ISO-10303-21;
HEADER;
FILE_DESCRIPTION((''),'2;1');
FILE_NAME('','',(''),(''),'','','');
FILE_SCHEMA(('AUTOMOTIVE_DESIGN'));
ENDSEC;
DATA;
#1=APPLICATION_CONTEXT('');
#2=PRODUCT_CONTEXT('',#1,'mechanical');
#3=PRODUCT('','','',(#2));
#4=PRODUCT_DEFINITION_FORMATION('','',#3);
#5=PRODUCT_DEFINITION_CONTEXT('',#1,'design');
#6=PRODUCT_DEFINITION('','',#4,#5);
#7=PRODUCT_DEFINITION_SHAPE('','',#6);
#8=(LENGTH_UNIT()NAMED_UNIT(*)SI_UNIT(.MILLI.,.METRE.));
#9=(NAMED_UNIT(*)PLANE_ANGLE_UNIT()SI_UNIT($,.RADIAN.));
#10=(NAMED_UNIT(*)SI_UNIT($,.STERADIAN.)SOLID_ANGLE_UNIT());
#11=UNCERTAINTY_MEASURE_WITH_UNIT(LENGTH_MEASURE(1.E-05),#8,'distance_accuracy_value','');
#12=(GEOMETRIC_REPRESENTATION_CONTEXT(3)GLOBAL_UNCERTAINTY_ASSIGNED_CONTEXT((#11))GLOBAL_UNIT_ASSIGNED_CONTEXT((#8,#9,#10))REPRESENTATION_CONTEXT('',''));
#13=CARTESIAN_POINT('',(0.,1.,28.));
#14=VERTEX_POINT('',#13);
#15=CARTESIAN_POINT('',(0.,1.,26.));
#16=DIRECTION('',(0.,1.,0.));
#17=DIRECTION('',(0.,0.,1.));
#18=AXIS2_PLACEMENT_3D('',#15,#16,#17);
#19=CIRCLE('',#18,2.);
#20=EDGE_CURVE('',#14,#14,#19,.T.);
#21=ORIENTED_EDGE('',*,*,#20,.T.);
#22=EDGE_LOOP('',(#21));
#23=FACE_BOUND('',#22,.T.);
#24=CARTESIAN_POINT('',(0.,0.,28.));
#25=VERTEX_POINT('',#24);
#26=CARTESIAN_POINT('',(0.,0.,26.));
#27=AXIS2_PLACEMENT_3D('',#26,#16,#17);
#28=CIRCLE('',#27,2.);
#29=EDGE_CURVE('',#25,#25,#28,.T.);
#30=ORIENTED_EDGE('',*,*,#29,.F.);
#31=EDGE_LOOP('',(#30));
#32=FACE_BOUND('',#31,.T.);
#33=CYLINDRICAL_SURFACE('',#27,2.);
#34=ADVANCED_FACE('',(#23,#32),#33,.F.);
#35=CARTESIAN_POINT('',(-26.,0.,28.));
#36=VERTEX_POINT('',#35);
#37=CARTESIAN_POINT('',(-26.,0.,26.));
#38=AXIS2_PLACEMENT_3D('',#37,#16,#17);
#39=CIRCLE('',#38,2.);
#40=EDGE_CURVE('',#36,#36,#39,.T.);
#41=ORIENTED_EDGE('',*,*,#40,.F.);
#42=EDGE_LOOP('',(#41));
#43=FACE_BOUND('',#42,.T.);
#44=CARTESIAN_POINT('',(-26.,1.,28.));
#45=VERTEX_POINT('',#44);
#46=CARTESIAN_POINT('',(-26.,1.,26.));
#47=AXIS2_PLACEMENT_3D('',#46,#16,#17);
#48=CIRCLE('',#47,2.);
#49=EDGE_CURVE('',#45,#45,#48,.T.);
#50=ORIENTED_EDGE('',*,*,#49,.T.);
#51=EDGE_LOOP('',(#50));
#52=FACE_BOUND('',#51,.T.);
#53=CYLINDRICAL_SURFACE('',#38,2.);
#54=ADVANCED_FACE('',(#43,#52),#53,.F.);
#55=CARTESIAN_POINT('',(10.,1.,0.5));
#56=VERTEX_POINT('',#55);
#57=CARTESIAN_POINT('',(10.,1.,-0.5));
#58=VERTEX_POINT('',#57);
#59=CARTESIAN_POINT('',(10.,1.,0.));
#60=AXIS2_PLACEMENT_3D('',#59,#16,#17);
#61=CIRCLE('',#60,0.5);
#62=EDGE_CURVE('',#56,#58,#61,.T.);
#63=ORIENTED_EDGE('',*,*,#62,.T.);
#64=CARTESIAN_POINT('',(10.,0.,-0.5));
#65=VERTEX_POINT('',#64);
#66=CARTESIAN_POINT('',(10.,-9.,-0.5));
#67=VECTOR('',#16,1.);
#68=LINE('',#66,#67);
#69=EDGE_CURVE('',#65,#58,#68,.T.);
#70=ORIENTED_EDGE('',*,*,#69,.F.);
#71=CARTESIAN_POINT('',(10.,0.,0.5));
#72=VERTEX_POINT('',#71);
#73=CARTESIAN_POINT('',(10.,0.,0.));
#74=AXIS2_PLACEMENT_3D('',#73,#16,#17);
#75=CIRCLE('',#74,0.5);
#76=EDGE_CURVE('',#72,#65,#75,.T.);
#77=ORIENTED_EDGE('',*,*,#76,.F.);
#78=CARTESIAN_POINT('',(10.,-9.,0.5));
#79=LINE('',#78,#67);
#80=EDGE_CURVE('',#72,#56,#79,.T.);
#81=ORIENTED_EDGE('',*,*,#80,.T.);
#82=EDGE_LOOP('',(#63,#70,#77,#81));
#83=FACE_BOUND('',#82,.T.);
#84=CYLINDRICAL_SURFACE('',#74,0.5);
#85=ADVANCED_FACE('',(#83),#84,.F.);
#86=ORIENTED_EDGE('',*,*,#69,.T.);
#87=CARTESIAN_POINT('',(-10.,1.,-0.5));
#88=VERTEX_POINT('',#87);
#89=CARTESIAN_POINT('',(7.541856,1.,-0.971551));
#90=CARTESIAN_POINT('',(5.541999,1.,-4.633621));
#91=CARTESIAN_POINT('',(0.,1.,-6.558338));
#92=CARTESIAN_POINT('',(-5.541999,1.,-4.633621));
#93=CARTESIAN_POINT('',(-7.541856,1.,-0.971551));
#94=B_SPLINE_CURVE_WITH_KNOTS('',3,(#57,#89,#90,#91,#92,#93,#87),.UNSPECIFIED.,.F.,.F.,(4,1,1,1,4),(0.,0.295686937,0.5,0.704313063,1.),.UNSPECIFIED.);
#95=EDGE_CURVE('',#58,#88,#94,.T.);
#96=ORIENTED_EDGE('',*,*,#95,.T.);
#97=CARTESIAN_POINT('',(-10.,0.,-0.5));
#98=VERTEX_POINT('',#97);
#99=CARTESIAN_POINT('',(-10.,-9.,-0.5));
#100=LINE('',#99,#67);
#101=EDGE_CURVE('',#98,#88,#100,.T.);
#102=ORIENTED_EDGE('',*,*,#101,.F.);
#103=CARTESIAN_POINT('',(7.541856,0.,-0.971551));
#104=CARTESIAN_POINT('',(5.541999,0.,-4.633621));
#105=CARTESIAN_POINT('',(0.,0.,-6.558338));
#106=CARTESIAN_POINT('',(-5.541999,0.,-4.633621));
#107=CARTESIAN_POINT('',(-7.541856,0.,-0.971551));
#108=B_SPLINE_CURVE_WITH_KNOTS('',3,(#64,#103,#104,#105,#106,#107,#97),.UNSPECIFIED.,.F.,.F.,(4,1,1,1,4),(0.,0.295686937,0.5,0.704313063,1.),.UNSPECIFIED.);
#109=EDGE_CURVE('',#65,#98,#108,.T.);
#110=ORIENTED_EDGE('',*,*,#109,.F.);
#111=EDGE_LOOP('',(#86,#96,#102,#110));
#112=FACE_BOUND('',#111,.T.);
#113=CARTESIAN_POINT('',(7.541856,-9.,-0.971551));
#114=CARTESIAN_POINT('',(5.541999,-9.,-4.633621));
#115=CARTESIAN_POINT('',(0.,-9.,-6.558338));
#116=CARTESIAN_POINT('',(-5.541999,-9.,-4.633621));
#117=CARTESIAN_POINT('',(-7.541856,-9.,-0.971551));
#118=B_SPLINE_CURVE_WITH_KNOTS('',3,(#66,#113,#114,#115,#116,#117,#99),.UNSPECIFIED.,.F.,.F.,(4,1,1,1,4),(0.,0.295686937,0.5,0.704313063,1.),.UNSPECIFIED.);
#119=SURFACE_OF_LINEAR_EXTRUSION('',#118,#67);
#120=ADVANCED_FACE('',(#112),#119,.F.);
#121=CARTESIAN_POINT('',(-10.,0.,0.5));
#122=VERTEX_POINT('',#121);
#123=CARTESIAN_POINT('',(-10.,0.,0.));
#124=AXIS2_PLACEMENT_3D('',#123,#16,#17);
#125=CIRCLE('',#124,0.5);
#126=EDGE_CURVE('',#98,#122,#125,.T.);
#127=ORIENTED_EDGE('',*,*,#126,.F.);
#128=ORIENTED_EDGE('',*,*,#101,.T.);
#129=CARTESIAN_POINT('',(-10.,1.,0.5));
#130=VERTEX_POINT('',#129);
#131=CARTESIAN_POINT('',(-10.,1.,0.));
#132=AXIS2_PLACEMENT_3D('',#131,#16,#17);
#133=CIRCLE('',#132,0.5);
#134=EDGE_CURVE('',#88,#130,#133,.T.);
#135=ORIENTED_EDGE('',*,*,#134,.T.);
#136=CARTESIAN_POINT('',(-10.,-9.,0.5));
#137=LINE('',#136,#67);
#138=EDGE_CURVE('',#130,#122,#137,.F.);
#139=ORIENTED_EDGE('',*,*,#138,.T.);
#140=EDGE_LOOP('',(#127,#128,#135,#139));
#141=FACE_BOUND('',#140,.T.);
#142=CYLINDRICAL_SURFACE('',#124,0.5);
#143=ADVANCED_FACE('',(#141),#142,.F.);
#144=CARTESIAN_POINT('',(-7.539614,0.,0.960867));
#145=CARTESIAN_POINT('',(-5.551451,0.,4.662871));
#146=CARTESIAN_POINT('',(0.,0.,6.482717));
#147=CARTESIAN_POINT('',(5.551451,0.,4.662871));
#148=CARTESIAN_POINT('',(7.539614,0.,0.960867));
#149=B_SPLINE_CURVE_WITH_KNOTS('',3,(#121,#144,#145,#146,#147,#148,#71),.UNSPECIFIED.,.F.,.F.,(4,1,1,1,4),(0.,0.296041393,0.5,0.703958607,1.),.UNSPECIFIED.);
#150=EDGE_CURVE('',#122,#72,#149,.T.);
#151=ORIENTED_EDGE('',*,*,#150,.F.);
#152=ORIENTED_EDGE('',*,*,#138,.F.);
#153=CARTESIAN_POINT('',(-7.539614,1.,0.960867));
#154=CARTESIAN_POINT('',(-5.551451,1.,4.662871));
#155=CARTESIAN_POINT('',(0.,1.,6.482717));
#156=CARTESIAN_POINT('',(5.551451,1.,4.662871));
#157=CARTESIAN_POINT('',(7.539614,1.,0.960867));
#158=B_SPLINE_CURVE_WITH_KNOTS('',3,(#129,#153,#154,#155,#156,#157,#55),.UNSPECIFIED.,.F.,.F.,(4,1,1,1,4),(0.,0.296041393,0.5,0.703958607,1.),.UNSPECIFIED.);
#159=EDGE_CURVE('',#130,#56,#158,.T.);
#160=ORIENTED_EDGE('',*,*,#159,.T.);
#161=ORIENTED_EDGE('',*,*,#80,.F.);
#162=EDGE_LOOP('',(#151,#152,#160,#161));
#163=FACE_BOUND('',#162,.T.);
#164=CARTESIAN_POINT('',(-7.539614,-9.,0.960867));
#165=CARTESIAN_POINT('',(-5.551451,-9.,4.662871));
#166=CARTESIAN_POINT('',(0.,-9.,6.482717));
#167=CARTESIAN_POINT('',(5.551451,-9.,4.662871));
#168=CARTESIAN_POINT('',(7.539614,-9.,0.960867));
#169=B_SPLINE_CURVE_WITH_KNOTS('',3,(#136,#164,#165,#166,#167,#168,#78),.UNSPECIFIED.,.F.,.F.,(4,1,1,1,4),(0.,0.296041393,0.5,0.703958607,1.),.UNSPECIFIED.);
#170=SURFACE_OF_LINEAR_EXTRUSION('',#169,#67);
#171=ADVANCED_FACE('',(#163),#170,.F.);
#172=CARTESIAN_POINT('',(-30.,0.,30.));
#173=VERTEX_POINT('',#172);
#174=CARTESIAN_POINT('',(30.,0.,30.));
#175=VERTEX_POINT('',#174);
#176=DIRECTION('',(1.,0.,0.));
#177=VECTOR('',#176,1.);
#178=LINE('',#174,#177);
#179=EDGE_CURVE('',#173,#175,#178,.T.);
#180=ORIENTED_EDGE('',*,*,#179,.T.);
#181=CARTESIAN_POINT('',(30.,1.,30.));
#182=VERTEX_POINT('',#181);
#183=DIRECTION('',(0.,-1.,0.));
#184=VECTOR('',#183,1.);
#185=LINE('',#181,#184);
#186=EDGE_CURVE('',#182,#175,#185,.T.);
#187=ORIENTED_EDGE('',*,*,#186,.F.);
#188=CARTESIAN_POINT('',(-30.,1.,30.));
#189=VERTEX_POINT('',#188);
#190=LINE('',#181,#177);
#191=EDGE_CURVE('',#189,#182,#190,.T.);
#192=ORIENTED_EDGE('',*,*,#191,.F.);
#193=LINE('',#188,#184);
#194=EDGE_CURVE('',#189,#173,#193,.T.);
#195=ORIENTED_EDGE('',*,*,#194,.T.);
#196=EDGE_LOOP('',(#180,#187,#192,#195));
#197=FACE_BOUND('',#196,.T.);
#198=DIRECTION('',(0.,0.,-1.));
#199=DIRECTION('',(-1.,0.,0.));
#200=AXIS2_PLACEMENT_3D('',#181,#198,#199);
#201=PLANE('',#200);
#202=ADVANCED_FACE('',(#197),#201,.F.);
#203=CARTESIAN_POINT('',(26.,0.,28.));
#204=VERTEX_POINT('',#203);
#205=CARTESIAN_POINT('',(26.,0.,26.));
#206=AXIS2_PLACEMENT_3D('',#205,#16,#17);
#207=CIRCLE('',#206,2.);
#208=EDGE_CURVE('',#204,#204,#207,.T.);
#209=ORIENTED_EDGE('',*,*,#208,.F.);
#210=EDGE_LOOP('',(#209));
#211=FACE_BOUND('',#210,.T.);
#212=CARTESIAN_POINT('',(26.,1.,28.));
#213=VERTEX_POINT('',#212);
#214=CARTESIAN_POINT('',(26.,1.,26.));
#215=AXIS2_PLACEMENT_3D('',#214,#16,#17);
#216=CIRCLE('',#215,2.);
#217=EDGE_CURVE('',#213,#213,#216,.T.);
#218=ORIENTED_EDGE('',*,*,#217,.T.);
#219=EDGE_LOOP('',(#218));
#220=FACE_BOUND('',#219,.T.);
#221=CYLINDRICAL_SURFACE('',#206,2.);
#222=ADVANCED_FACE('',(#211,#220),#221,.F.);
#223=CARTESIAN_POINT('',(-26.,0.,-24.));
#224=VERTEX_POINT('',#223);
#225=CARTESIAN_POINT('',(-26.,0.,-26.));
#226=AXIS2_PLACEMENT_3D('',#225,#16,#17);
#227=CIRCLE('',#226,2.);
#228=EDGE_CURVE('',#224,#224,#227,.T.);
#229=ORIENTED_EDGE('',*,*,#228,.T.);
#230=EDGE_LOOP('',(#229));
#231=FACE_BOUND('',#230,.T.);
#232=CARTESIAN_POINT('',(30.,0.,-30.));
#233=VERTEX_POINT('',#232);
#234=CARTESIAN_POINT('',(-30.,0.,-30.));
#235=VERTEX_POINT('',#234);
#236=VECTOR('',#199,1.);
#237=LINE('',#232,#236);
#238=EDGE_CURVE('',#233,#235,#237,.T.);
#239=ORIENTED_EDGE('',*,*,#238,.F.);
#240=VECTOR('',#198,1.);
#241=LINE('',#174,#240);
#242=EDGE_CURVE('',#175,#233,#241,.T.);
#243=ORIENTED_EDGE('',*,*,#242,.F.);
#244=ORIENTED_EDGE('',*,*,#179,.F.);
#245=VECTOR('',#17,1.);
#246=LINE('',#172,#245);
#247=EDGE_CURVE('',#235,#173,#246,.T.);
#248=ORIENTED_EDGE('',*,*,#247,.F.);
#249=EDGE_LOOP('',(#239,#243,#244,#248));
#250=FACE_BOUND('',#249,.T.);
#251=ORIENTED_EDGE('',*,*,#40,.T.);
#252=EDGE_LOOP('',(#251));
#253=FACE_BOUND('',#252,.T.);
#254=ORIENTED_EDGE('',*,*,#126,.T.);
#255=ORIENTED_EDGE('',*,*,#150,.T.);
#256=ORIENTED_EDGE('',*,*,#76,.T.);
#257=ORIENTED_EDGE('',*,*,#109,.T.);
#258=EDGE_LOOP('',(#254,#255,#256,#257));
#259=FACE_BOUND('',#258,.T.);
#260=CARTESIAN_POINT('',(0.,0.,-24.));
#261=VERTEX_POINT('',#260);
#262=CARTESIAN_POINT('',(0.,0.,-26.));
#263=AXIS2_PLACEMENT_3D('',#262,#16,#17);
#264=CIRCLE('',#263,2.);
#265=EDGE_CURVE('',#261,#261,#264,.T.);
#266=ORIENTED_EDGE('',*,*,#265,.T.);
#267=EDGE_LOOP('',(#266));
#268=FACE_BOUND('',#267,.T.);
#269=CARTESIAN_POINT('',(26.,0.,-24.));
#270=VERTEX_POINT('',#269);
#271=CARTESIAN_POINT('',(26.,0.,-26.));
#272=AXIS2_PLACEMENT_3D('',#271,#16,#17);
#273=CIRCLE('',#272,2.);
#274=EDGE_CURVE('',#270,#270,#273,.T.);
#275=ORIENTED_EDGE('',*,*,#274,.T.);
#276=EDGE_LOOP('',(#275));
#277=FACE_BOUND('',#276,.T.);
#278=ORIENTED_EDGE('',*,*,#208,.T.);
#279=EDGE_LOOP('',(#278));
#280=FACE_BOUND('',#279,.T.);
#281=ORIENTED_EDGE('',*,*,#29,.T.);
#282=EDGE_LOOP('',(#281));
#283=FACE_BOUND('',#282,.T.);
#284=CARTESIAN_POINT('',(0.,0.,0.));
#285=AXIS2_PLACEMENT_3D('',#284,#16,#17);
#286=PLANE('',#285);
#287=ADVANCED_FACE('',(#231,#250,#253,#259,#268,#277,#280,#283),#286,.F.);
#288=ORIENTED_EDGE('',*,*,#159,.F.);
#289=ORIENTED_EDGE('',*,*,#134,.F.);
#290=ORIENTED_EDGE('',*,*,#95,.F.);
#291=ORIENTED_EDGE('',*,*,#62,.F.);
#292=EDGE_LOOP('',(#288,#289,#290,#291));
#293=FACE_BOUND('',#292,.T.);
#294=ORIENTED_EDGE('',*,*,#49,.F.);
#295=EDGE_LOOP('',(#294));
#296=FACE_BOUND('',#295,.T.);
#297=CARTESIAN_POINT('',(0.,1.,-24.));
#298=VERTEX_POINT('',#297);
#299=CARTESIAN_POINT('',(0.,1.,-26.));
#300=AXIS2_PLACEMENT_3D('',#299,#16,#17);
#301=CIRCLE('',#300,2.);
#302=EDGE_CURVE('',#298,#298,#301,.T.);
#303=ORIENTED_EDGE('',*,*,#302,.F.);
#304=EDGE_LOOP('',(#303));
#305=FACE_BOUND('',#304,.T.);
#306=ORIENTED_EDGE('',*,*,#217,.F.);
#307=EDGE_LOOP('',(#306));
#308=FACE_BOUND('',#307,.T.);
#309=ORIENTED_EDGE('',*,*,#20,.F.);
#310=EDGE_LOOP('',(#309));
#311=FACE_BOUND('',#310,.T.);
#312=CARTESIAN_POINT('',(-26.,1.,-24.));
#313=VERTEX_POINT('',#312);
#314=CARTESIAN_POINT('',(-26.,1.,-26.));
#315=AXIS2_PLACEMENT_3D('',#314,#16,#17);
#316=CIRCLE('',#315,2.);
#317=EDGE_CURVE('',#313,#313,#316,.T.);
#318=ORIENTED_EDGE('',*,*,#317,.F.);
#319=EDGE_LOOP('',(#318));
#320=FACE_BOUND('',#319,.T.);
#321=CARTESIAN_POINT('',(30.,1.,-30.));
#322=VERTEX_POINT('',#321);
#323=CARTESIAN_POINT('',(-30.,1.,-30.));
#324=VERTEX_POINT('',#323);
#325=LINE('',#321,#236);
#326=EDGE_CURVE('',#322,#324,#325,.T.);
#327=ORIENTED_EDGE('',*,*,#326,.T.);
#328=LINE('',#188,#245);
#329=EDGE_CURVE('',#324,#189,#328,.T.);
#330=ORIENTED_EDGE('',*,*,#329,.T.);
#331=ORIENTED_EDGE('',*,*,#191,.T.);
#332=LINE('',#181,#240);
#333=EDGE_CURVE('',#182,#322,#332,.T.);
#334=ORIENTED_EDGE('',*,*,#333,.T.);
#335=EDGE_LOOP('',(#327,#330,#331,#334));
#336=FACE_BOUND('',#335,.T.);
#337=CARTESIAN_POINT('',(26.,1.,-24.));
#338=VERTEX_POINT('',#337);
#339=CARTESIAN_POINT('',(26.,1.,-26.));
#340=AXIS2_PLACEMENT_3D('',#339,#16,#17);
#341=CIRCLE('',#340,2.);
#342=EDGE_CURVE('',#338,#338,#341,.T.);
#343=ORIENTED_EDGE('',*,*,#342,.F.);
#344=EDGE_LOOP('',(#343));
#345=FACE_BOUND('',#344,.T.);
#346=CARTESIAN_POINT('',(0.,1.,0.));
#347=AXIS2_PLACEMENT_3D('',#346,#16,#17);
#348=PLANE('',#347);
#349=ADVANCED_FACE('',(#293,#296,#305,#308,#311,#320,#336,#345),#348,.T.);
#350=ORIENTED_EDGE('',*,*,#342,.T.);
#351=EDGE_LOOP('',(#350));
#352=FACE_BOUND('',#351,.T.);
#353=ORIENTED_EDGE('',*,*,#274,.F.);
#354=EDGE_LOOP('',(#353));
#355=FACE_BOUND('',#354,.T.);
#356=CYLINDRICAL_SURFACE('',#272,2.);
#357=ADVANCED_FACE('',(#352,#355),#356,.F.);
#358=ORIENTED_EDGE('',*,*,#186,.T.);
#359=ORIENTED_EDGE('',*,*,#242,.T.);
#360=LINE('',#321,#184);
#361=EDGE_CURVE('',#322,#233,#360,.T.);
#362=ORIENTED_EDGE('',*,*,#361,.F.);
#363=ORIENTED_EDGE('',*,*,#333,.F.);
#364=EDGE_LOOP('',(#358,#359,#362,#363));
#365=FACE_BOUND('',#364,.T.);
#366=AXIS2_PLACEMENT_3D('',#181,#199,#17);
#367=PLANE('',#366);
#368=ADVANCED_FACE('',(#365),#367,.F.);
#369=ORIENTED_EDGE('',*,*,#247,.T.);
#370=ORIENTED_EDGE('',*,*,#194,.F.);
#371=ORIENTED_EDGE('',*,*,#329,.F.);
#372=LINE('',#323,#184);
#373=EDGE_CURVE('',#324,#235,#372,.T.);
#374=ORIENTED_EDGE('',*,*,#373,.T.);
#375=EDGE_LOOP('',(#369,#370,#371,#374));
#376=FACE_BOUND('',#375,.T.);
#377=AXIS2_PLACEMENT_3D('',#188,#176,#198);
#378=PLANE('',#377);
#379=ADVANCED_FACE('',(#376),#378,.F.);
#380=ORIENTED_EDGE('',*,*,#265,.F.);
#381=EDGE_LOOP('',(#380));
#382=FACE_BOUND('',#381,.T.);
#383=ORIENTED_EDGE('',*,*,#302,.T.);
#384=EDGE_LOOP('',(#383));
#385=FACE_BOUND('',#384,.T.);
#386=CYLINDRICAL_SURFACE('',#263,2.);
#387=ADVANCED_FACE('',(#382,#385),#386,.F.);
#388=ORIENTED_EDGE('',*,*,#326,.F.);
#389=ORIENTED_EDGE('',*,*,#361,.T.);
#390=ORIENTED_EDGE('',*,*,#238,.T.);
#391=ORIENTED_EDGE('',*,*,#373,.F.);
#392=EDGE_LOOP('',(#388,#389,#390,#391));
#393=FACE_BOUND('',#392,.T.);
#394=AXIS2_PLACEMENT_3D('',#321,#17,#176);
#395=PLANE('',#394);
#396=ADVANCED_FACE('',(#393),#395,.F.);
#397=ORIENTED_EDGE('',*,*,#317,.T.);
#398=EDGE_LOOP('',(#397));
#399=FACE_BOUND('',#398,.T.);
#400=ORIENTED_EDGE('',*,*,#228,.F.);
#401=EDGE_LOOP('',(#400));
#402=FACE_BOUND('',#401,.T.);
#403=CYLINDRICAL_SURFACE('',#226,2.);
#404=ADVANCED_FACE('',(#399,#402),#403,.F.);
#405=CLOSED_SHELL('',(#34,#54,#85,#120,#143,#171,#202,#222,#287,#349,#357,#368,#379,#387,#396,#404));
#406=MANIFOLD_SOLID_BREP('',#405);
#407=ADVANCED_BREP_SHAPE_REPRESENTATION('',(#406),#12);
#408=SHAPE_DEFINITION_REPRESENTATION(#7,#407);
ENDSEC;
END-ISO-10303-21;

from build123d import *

# Parameters (mm, degrees)
SKETCH1_W           = 60
SKETCH1_H           = 60
BOSS_EXTRUDE1_DEPTH = 1
SKETCH2_R           = 2
CUT_EXTRUDE1_DEPTH  = 2
SKETCH3_R           = 0.5
CUT_EXTRUDE2_DEPTH  = 2
CUT_EXTRUDE3_DEPTH  = 10


with BuildPart() as part:
    # Sketch1 → Boss-Extrude1 (new body)
    with BuildSketch(Plane(origin=(0, 0, 0), x_dir=(1, 0, 0), z_dir=(0, 1, 0))):
        Rectangle(SKETCH1_W, SKETCH1_H)
    extrude(amount=BOSS_EXTRUDE1_DEPTH)

    # Sketch2 → Cut-Extrude1 (cut, through all)
    with BuildSketch(Plane(origin=(0, 1, 0), x_dir=(1, 0, 0), z_dir=(0, 1, 0))):
        with Locations((-26, 26)):
            Circle(SKETCH2_R)
        with Locations((0, 26)):
            Circle(SKETCH2_R)
        with Locations((26, 26)):
            Circle(SKETCH2_R)
        with Locations((26, -26)):
            Circle(SKETCH2_R)
        with Locations((0, -26)):
            Circle(SKETCH2_R)
        with Locations((-26, -26)):
            Circle(SKETCH2_R)
    extrude(amount=-CUT_EXTRUDE1_DEPTH, mode=Mode.SUBTRACT)

    # Sketch3 → Cut-Extrude2 (cut, through all)
    with BuildSketch(Plane(origin=(0, 1, 0), x_dir=(1, 0, 0), z_dir=(0, 1, 0))):
        with Locations((10, 0)):
            Circle(SKETCH3_R)
        with Locations((-10, 0)):
            Circle(SKETCH3_R)
    extrude(amount=-CUT_EXTRUDE2_DEPTH, mode=Mode.SUBTRACT)

    # Sketch7 → Cut-Extrude3 (cut)
    with BuildSketch(Plane(origin=(0, 1, 0), x_dir=(1, 0, 0), z_dir=(0, 1, 0))):
        with BuildLine():
            add(Edge.make_bspline(
                [(10, 0.5), (7.54185609, 0.971550622), (5.54199885, 4.633621193), (0, 6.558338078), (-5.54199885, 4.633621193), (-7.54185609, 0.971550622), (-10, 0.5)],
                knots=[0, 0, 0, 0, 0.295686937, 0.5, 0.704313063, 1, 1, 1, 1], degree=3))
            add(Edge.make_bspline(
                [(-10, 0.5), (-11, 0), (-10, -0.5)],
                knots=[0, 0, 0, 1, 1, 1], degree=2))
            add(Edge.make_bspline(
                [(10, -0.5), (7.539614158, -0.960866701), (5.551451154, -4.662870645), (0, -6.482717161), (-5.551451154, -4.662870645), (-7.539614158, -0.960866701), (-10, -0.5)],
                knots=[0, 0, 0, 0, 0.296041393, 0.5, 0.703958607, 1, 1, 1, 1], degree=3))
            add(Edge.make_bspline(
                [(10, 0.5), (11, 0), (10, -0.5)],
                knots=[0, 0, 0, 1, 1, 1], degree=2))
        make_face()
    extrude(amount=-CUT_EXTRUDE3_DEPTH, mode=Mode.SUBTRACT)


solid = part.part
